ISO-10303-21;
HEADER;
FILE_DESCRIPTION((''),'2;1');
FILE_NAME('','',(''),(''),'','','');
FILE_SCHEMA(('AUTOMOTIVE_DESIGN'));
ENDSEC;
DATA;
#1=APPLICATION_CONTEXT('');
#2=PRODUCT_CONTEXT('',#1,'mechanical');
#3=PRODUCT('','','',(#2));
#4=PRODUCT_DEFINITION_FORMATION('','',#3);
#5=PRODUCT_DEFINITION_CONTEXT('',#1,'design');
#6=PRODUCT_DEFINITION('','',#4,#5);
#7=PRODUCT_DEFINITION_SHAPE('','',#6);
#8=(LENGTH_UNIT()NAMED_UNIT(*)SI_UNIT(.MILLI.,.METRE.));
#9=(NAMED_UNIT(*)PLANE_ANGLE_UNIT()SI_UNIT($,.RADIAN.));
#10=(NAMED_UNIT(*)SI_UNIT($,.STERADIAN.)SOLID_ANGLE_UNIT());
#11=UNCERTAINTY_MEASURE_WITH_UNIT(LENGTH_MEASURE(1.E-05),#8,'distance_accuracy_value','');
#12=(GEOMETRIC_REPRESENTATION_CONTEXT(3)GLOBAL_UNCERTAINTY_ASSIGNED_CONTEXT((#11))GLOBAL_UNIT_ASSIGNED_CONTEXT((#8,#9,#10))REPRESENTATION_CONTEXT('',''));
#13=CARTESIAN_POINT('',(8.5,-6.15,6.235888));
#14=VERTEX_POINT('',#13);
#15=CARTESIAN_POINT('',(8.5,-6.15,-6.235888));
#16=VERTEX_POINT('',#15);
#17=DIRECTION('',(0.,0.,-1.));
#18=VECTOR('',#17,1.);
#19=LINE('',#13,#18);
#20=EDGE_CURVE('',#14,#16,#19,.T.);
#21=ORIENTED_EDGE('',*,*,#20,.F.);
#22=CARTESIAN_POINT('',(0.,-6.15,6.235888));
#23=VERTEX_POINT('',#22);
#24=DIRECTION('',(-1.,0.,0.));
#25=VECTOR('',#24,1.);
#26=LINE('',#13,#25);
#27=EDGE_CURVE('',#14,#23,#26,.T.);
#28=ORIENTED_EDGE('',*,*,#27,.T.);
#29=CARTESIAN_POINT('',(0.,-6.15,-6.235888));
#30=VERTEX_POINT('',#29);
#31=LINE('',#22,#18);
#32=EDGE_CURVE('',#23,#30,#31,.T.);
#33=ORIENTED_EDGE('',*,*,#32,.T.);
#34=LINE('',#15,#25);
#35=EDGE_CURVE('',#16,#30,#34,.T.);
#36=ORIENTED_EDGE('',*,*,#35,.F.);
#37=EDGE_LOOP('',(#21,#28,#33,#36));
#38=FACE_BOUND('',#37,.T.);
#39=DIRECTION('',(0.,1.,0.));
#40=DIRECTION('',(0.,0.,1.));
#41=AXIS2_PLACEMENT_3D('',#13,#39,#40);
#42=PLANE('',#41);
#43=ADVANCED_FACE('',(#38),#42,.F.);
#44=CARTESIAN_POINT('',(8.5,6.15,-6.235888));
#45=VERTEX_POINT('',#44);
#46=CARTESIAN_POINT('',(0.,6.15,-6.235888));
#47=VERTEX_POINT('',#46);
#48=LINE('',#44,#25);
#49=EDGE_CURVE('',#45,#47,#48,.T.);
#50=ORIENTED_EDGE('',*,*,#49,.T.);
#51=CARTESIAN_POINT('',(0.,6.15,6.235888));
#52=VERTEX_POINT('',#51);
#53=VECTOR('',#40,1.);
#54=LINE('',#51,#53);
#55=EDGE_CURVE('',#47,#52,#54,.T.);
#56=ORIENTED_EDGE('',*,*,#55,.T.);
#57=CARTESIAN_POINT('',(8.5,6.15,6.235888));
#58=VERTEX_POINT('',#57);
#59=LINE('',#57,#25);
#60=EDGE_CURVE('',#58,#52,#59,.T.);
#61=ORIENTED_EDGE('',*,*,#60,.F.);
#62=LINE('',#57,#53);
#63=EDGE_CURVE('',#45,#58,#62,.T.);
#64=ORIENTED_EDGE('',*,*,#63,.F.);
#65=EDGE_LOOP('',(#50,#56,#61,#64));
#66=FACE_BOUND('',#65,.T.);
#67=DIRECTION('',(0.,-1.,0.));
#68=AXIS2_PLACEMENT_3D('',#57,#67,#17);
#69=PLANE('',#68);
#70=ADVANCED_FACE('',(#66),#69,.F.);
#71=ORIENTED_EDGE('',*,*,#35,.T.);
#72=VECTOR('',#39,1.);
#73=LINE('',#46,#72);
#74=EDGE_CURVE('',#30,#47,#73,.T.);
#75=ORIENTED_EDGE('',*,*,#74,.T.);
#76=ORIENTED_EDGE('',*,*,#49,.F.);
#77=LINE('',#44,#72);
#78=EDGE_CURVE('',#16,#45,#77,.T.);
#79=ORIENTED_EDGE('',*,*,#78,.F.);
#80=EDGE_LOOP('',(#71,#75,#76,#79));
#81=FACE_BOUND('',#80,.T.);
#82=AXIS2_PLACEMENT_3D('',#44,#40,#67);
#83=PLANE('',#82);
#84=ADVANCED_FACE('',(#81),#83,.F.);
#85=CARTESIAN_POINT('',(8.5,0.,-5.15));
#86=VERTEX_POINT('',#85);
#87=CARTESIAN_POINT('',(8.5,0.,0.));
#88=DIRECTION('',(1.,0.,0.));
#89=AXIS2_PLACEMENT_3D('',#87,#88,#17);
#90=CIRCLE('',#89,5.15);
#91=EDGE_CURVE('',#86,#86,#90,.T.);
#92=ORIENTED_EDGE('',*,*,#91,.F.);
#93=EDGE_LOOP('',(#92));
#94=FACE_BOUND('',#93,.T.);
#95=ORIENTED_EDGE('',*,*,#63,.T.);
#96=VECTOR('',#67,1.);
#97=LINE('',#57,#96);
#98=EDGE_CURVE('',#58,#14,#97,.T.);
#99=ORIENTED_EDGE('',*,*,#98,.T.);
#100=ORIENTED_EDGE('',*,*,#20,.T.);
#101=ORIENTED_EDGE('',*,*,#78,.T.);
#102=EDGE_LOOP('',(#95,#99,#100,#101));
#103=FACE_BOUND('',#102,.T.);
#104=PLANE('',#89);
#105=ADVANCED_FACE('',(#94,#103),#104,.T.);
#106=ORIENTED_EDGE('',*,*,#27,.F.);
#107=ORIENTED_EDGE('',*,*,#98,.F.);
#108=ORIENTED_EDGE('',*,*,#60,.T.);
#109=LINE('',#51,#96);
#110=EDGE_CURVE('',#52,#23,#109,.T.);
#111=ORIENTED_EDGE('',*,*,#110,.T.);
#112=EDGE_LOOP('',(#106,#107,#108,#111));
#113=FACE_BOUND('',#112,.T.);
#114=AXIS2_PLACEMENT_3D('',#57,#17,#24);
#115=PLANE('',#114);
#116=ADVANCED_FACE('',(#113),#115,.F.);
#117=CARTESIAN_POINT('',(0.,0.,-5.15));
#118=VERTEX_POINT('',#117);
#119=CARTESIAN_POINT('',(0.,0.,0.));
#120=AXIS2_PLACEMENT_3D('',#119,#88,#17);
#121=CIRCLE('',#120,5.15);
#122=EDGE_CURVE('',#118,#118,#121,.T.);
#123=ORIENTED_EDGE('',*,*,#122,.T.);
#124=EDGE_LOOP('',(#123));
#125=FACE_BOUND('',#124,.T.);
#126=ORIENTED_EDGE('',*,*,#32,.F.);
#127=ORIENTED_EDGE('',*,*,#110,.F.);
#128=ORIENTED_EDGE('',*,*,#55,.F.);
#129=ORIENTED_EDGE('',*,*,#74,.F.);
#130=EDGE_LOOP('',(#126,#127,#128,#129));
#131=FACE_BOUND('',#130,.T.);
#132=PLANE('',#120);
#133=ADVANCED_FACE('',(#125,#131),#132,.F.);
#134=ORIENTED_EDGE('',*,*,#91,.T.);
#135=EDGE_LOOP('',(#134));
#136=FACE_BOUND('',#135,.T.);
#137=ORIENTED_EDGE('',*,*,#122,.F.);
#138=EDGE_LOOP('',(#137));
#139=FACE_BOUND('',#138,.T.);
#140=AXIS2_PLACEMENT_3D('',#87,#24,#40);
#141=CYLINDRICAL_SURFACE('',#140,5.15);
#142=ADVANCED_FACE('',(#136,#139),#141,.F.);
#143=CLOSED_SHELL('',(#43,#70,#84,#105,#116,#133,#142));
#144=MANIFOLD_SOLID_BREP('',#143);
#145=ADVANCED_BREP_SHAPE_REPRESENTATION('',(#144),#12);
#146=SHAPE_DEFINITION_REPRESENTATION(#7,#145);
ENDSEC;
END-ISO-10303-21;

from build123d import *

# Parameters (mm, degrees)
SKETCH1_W           = 12.471775368
SKETCH1_H           = 12.3
SKETCH1_R           = 5.15
BOSS_EXTRUDE1_DEPTH = 8.5


with BuildPart() as part:
    # Sketch1 → Boss-Extrude1 (new body)
    with BuildSketch(Plane(origin=(0, 0, 0), x_dir=(0, 0, -1), z_dir=(1, 0, 0))):
        Rectangle(SKETCH1_W, SKETCH1_H)
        Circle(SKETCH1_R, mode=Mode.SUBTRACT)
    extrude(amount=BOSS_EXTRUDE1_DEPTH)


solid = part.part
